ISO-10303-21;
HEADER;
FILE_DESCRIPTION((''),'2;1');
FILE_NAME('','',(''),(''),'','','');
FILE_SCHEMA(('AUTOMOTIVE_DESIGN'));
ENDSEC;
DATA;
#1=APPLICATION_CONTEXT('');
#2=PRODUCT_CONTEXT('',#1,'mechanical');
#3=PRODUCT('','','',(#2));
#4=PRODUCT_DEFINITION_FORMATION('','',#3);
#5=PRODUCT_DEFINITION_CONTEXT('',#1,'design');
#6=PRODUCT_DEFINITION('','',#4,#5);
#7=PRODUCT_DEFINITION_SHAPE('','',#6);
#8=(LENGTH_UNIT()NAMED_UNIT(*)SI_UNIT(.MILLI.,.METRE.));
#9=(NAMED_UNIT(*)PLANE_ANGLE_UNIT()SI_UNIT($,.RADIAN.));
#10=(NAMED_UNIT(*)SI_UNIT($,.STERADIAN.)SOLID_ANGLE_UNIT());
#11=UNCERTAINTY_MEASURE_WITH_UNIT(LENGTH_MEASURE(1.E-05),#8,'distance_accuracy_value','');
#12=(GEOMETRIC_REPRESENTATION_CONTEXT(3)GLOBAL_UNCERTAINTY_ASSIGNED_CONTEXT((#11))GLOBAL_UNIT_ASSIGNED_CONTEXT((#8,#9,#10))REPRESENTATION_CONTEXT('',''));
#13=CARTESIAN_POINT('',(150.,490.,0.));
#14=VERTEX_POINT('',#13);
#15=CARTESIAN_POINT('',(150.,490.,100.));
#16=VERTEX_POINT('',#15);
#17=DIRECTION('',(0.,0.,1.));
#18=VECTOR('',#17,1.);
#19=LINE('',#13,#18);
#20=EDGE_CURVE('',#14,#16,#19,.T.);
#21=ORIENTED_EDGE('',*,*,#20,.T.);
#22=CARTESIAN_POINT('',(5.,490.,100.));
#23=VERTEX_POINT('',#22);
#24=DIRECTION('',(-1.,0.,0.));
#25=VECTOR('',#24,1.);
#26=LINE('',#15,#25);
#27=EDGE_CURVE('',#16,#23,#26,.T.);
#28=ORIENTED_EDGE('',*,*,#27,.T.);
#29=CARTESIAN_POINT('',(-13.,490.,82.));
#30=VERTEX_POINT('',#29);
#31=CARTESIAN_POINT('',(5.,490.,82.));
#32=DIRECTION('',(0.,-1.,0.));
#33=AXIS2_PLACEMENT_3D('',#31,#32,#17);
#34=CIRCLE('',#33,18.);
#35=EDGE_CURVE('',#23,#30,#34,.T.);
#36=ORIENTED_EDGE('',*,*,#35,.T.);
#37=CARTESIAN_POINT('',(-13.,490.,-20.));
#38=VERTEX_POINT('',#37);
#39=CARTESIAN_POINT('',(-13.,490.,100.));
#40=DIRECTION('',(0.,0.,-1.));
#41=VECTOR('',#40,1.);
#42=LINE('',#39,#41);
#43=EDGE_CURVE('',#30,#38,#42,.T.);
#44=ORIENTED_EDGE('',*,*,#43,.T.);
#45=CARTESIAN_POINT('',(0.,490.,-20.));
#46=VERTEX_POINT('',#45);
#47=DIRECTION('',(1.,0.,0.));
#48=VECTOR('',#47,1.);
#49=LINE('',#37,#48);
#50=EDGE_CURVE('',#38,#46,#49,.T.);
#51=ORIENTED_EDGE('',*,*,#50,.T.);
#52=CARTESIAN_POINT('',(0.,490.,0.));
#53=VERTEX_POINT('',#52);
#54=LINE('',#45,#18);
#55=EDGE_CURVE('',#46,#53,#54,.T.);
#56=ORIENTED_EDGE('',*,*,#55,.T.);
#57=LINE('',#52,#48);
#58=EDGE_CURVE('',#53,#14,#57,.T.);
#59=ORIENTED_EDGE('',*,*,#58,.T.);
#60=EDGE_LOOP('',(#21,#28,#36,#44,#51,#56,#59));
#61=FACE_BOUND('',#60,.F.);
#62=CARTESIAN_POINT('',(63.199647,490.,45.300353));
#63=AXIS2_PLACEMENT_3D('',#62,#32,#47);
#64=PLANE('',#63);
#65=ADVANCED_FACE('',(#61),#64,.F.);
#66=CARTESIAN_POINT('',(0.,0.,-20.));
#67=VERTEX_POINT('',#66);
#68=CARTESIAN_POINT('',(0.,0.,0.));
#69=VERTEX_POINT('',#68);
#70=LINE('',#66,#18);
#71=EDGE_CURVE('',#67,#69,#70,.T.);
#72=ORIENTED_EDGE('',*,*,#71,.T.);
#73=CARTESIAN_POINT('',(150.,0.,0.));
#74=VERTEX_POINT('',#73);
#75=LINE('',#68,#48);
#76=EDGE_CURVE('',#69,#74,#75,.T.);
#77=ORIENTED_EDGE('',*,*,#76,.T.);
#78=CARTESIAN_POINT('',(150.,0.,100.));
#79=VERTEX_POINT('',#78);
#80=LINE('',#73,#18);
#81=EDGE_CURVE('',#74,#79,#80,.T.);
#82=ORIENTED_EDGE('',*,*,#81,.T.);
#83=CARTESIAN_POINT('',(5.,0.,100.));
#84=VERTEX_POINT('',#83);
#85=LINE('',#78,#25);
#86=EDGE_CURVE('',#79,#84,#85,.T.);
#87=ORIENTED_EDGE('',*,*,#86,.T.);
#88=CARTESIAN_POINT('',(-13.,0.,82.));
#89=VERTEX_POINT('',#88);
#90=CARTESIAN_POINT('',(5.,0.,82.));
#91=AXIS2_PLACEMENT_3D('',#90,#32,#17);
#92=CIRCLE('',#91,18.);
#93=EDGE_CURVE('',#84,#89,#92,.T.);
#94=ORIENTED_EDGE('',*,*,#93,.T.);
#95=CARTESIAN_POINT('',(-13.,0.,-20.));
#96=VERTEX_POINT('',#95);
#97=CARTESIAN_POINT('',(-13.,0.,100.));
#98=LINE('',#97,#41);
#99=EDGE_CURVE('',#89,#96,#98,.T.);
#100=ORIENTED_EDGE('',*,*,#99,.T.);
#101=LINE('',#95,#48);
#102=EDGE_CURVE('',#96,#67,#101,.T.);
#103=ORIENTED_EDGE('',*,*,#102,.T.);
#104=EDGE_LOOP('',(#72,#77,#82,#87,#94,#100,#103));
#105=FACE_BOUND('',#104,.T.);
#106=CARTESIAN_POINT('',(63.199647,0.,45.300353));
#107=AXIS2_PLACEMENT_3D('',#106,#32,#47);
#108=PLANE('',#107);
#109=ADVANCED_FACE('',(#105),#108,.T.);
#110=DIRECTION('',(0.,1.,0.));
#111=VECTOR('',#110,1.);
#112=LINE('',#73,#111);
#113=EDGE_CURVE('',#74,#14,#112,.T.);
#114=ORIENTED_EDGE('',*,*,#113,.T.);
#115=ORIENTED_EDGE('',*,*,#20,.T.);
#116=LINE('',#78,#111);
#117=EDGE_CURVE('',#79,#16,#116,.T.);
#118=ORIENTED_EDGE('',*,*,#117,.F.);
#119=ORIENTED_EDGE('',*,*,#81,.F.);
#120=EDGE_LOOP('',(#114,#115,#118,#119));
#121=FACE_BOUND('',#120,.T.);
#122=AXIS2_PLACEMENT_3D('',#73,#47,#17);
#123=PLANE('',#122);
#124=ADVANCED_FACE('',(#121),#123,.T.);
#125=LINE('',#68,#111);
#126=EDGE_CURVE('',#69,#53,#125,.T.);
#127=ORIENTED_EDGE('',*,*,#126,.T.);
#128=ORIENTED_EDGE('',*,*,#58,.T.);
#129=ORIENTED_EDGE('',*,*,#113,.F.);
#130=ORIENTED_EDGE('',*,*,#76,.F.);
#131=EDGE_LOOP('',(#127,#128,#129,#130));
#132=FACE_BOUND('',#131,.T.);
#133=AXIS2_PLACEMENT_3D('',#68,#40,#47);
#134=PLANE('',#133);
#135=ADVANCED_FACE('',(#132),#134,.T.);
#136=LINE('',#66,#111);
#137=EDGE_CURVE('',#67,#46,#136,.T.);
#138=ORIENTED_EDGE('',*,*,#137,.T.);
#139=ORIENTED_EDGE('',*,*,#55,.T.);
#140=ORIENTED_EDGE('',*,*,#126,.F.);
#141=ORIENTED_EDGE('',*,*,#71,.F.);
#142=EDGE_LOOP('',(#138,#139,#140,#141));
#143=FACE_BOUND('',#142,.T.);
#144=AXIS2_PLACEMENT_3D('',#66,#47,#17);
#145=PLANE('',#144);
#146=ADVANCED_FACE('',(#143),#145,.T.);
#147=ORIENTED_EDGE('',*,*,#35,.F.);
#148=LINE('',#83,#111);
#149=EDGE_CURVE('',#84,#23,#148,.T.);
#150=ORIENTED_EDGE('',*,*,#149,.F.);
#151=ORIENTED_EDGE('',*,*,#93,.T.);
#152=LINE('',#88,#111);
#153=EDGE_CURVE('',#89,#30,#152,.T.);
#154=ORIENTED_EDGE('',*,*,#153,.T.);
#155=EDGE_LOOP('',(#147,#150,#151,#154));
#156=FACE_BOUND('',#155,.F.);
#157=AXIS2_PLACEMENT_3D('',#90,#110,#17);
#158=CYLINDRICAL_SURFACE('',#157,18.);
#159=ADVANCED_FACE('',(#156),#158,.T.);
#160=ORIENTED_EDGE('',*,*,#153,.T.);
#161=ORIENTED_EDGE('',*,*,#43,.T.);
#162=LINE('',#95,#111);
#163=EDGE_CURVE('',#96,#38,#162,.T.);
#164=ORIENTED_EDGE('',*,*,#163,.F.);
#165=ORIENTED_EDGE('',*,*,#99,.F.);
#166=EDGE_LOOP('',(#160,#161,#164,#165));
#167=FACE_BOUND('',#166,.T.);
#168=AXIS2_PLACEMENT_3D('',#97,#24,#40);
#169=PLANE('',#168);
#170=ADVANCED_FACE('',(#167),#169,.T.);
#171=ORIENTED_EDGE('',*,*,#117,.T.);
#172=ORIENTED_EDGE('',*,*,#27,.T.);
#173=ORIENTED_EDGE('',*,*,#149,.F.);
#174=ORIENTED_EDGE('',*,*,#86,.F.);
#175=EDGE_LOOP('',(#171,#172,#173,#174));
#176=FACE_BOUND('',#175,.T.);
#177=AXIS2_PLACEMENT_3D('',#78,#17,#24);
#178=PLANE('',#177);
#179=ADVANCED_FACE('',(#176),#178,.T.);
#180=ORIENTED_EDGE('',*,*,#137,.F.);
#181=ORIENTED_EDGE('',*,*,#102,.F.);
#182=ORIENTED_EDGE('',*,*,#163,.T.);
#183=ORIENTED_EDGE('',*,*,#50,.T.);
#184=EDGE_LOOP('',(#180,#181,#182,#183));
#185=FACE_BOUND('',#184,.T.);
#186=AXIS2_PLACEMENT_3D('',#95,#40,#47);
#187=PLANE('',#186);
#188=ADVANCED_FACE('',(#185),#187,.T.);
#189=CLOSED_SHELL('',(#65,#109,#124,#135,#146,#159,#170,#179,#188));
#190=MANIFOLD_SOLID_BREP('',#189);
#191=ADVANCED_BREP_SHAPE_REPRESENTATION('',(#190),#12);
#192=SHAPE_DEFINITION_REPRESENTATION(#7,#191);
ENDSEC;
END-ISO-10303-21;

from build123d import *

# Parameters (mm, degrees)
PAD_DEPTH = 490
FILLET_R  = 18


with BuildPart() as part:
    # Sketch → Pad (new body)
    with BuildSketch(Plane.XZ):
        Polygon((0, 0), (150, 0), (150, 100), (0, 100), (-13, 100), (-13, -20), (0, -20), align=None)
    extrude(amount=-PAD_DEPTH)

    # Fillet
    fillet_edges = [part.edges().sort_by_distance(p)[0] for p in [
        (-13, 245, 100),
    ]]
    fillet(fillet_edges, radius=FILLET_R)


solid = part.part
